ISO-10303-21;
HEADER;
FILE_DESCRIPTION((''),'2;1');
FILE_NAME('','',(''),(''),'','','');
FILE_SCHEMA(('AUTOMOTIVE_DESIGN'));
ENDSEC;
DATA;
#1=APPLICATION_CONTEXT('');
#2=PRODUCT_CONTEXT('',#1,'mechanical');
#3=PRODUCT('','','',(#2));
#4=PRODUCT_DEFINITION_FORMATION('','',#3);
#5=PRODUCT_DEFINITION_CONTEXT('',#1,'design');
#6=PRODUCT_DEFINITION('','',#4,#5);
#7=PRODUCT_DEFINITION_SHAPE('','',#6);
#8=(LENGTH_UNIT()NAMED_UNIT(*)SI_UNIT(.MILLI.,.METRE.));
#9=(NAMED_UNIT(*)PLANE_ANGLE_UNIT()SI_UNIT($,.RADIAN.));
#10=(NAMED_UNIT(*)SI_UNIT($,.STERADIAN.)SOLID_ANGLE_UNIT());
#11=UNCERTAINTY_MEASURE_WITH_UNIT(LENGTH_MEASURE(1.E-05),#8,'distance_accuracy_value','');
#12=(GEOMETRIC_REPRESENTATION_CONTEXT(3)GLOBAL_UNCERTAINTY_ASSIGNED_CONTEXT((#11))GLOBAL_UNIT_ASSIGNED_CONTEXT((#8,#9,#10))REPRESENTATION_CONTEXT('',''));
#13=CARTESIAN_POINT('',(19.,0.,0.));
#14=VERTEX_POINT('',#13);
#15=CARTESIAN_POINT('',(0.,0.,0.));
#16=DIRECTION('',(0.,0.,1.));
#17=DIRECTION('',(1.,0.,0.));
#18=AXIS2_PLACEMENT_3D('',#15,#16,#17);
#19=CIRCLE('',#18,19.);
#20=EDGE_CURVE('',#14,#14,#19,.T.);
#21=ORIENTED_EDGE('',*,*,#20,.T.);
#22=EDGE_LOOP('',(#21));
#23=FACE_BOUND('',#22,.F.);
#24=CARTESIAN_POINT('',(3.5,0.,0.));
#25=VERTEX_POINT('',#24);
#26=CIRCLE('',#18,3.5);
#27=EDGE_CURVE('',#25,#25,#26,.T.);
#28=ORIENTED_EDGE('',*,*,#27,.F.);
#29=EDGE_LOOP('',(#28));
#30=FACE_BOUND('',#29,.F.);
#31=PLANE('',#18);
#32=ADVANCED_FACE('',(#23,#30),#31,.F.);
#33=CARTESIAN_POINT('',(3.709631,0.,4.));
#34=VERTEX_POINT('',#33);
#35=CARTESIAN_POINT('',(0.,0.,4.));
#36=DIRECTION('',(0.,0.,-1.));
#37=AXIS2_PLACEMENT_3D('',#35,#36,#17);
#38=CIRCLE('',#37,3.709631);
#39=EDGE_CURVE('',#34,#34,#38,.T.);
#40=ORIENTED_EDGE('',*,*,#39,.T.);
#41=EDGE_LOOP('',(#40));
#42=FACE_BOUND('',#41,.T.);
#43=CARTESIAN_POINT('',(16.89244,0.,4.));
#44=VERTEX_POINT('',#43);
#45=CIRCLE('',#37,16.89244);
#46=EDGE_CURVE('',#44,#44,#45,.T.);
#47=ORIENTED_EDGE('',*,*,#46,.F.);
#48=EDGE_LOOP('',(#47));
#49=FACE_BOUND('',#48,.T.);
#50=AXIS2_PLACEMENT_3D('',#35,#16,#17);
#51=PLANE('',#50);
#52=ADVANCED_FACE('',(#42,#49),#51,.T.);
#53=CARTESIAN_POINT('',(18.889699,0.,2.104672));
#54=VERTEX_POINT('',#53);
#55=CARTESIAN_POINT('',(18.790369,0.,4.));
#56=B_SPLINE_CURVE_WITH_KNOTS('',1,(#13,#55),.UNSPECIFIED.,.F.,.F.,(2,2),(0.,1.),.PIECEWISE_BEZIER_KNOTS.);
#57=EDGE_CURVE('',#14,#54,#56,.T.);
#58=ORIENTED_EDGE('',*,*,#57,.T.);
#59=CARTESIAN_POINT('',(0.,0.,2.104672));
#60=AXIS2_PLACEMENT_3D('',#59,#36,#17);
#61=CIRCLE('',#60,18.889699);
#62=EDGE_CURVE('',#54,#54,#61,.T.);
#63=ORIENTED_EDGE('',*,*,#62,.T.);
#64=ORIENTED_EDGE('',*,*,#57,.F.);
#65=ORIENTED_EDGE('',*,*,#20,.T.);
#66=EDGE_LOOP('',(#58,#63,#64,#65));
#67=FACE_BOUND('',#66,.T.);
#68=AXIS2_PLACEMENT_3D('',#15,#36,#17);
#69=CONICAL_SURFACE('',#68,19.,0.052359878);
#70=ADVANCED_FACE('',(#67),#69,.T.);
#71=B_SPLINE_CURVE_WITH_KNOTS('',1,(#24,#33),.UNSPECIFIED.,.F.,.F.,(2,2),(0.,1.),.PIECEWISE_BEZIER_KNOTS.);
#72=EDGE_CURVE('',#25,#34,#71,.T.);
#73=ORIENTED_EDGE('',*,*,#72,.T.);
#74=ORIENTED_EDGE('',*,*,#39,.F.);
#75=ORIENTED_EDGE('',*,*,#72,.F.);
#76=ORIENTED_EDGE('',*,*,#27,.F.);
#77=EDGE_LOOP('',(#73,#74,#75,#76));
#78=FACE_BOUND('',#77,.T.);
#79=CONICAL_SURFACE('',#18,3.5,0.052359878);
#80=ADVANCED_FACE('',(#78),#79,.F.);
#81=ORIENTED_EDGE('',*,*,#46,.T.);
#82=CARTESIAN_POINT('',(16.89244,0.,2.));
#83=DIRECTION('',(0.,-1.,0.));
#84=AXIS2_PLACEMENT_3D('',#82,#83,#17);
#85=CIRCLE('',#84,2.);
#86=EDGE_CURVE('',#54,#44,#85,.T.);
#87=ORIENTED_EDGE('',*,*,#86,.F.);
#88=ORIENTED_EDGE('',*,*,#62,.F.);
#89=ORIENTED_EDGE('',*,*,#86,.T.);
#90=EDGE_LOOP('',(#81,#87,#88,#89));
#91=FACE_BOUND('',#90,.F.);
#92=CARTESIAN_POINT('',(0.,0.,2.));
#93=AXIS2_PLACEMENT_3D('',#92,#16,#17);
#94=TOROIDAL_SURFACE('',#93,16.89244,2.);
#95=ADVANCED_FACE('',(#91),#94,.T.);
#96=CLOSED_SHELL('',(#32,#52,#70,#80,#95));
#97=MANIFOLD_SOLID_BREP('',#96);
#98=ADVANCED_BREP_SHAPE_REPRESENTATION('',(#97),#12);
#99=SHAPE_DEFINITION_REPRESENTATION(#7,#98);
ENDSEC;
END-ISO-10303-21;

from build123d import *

# Parameters (mm, degrees)
F0_R     = 19
F0_R_2   = 3.5
F1_DEPTH = 4
F1_TAPER = 3
F2_R     = 2


with BuildPart() as f1:
    # F0 (on Top) → F1 (new body)
    with BuildSketch(Plane.XY):
        Circle(F0_R)
        Circle(F0_R_2, mode=Mode.SUBTRACT)
    extrude(amount=F1_DEPTH, taper=F1_TAPER)

    # F2
    f2_edges = [f1.edges().sort_by_distance(p)[0] for p in [
        (-18.790369, 0, 4),
    ]]
    fillet(f2_edges, radius=F2_R)


solid = f1.part
